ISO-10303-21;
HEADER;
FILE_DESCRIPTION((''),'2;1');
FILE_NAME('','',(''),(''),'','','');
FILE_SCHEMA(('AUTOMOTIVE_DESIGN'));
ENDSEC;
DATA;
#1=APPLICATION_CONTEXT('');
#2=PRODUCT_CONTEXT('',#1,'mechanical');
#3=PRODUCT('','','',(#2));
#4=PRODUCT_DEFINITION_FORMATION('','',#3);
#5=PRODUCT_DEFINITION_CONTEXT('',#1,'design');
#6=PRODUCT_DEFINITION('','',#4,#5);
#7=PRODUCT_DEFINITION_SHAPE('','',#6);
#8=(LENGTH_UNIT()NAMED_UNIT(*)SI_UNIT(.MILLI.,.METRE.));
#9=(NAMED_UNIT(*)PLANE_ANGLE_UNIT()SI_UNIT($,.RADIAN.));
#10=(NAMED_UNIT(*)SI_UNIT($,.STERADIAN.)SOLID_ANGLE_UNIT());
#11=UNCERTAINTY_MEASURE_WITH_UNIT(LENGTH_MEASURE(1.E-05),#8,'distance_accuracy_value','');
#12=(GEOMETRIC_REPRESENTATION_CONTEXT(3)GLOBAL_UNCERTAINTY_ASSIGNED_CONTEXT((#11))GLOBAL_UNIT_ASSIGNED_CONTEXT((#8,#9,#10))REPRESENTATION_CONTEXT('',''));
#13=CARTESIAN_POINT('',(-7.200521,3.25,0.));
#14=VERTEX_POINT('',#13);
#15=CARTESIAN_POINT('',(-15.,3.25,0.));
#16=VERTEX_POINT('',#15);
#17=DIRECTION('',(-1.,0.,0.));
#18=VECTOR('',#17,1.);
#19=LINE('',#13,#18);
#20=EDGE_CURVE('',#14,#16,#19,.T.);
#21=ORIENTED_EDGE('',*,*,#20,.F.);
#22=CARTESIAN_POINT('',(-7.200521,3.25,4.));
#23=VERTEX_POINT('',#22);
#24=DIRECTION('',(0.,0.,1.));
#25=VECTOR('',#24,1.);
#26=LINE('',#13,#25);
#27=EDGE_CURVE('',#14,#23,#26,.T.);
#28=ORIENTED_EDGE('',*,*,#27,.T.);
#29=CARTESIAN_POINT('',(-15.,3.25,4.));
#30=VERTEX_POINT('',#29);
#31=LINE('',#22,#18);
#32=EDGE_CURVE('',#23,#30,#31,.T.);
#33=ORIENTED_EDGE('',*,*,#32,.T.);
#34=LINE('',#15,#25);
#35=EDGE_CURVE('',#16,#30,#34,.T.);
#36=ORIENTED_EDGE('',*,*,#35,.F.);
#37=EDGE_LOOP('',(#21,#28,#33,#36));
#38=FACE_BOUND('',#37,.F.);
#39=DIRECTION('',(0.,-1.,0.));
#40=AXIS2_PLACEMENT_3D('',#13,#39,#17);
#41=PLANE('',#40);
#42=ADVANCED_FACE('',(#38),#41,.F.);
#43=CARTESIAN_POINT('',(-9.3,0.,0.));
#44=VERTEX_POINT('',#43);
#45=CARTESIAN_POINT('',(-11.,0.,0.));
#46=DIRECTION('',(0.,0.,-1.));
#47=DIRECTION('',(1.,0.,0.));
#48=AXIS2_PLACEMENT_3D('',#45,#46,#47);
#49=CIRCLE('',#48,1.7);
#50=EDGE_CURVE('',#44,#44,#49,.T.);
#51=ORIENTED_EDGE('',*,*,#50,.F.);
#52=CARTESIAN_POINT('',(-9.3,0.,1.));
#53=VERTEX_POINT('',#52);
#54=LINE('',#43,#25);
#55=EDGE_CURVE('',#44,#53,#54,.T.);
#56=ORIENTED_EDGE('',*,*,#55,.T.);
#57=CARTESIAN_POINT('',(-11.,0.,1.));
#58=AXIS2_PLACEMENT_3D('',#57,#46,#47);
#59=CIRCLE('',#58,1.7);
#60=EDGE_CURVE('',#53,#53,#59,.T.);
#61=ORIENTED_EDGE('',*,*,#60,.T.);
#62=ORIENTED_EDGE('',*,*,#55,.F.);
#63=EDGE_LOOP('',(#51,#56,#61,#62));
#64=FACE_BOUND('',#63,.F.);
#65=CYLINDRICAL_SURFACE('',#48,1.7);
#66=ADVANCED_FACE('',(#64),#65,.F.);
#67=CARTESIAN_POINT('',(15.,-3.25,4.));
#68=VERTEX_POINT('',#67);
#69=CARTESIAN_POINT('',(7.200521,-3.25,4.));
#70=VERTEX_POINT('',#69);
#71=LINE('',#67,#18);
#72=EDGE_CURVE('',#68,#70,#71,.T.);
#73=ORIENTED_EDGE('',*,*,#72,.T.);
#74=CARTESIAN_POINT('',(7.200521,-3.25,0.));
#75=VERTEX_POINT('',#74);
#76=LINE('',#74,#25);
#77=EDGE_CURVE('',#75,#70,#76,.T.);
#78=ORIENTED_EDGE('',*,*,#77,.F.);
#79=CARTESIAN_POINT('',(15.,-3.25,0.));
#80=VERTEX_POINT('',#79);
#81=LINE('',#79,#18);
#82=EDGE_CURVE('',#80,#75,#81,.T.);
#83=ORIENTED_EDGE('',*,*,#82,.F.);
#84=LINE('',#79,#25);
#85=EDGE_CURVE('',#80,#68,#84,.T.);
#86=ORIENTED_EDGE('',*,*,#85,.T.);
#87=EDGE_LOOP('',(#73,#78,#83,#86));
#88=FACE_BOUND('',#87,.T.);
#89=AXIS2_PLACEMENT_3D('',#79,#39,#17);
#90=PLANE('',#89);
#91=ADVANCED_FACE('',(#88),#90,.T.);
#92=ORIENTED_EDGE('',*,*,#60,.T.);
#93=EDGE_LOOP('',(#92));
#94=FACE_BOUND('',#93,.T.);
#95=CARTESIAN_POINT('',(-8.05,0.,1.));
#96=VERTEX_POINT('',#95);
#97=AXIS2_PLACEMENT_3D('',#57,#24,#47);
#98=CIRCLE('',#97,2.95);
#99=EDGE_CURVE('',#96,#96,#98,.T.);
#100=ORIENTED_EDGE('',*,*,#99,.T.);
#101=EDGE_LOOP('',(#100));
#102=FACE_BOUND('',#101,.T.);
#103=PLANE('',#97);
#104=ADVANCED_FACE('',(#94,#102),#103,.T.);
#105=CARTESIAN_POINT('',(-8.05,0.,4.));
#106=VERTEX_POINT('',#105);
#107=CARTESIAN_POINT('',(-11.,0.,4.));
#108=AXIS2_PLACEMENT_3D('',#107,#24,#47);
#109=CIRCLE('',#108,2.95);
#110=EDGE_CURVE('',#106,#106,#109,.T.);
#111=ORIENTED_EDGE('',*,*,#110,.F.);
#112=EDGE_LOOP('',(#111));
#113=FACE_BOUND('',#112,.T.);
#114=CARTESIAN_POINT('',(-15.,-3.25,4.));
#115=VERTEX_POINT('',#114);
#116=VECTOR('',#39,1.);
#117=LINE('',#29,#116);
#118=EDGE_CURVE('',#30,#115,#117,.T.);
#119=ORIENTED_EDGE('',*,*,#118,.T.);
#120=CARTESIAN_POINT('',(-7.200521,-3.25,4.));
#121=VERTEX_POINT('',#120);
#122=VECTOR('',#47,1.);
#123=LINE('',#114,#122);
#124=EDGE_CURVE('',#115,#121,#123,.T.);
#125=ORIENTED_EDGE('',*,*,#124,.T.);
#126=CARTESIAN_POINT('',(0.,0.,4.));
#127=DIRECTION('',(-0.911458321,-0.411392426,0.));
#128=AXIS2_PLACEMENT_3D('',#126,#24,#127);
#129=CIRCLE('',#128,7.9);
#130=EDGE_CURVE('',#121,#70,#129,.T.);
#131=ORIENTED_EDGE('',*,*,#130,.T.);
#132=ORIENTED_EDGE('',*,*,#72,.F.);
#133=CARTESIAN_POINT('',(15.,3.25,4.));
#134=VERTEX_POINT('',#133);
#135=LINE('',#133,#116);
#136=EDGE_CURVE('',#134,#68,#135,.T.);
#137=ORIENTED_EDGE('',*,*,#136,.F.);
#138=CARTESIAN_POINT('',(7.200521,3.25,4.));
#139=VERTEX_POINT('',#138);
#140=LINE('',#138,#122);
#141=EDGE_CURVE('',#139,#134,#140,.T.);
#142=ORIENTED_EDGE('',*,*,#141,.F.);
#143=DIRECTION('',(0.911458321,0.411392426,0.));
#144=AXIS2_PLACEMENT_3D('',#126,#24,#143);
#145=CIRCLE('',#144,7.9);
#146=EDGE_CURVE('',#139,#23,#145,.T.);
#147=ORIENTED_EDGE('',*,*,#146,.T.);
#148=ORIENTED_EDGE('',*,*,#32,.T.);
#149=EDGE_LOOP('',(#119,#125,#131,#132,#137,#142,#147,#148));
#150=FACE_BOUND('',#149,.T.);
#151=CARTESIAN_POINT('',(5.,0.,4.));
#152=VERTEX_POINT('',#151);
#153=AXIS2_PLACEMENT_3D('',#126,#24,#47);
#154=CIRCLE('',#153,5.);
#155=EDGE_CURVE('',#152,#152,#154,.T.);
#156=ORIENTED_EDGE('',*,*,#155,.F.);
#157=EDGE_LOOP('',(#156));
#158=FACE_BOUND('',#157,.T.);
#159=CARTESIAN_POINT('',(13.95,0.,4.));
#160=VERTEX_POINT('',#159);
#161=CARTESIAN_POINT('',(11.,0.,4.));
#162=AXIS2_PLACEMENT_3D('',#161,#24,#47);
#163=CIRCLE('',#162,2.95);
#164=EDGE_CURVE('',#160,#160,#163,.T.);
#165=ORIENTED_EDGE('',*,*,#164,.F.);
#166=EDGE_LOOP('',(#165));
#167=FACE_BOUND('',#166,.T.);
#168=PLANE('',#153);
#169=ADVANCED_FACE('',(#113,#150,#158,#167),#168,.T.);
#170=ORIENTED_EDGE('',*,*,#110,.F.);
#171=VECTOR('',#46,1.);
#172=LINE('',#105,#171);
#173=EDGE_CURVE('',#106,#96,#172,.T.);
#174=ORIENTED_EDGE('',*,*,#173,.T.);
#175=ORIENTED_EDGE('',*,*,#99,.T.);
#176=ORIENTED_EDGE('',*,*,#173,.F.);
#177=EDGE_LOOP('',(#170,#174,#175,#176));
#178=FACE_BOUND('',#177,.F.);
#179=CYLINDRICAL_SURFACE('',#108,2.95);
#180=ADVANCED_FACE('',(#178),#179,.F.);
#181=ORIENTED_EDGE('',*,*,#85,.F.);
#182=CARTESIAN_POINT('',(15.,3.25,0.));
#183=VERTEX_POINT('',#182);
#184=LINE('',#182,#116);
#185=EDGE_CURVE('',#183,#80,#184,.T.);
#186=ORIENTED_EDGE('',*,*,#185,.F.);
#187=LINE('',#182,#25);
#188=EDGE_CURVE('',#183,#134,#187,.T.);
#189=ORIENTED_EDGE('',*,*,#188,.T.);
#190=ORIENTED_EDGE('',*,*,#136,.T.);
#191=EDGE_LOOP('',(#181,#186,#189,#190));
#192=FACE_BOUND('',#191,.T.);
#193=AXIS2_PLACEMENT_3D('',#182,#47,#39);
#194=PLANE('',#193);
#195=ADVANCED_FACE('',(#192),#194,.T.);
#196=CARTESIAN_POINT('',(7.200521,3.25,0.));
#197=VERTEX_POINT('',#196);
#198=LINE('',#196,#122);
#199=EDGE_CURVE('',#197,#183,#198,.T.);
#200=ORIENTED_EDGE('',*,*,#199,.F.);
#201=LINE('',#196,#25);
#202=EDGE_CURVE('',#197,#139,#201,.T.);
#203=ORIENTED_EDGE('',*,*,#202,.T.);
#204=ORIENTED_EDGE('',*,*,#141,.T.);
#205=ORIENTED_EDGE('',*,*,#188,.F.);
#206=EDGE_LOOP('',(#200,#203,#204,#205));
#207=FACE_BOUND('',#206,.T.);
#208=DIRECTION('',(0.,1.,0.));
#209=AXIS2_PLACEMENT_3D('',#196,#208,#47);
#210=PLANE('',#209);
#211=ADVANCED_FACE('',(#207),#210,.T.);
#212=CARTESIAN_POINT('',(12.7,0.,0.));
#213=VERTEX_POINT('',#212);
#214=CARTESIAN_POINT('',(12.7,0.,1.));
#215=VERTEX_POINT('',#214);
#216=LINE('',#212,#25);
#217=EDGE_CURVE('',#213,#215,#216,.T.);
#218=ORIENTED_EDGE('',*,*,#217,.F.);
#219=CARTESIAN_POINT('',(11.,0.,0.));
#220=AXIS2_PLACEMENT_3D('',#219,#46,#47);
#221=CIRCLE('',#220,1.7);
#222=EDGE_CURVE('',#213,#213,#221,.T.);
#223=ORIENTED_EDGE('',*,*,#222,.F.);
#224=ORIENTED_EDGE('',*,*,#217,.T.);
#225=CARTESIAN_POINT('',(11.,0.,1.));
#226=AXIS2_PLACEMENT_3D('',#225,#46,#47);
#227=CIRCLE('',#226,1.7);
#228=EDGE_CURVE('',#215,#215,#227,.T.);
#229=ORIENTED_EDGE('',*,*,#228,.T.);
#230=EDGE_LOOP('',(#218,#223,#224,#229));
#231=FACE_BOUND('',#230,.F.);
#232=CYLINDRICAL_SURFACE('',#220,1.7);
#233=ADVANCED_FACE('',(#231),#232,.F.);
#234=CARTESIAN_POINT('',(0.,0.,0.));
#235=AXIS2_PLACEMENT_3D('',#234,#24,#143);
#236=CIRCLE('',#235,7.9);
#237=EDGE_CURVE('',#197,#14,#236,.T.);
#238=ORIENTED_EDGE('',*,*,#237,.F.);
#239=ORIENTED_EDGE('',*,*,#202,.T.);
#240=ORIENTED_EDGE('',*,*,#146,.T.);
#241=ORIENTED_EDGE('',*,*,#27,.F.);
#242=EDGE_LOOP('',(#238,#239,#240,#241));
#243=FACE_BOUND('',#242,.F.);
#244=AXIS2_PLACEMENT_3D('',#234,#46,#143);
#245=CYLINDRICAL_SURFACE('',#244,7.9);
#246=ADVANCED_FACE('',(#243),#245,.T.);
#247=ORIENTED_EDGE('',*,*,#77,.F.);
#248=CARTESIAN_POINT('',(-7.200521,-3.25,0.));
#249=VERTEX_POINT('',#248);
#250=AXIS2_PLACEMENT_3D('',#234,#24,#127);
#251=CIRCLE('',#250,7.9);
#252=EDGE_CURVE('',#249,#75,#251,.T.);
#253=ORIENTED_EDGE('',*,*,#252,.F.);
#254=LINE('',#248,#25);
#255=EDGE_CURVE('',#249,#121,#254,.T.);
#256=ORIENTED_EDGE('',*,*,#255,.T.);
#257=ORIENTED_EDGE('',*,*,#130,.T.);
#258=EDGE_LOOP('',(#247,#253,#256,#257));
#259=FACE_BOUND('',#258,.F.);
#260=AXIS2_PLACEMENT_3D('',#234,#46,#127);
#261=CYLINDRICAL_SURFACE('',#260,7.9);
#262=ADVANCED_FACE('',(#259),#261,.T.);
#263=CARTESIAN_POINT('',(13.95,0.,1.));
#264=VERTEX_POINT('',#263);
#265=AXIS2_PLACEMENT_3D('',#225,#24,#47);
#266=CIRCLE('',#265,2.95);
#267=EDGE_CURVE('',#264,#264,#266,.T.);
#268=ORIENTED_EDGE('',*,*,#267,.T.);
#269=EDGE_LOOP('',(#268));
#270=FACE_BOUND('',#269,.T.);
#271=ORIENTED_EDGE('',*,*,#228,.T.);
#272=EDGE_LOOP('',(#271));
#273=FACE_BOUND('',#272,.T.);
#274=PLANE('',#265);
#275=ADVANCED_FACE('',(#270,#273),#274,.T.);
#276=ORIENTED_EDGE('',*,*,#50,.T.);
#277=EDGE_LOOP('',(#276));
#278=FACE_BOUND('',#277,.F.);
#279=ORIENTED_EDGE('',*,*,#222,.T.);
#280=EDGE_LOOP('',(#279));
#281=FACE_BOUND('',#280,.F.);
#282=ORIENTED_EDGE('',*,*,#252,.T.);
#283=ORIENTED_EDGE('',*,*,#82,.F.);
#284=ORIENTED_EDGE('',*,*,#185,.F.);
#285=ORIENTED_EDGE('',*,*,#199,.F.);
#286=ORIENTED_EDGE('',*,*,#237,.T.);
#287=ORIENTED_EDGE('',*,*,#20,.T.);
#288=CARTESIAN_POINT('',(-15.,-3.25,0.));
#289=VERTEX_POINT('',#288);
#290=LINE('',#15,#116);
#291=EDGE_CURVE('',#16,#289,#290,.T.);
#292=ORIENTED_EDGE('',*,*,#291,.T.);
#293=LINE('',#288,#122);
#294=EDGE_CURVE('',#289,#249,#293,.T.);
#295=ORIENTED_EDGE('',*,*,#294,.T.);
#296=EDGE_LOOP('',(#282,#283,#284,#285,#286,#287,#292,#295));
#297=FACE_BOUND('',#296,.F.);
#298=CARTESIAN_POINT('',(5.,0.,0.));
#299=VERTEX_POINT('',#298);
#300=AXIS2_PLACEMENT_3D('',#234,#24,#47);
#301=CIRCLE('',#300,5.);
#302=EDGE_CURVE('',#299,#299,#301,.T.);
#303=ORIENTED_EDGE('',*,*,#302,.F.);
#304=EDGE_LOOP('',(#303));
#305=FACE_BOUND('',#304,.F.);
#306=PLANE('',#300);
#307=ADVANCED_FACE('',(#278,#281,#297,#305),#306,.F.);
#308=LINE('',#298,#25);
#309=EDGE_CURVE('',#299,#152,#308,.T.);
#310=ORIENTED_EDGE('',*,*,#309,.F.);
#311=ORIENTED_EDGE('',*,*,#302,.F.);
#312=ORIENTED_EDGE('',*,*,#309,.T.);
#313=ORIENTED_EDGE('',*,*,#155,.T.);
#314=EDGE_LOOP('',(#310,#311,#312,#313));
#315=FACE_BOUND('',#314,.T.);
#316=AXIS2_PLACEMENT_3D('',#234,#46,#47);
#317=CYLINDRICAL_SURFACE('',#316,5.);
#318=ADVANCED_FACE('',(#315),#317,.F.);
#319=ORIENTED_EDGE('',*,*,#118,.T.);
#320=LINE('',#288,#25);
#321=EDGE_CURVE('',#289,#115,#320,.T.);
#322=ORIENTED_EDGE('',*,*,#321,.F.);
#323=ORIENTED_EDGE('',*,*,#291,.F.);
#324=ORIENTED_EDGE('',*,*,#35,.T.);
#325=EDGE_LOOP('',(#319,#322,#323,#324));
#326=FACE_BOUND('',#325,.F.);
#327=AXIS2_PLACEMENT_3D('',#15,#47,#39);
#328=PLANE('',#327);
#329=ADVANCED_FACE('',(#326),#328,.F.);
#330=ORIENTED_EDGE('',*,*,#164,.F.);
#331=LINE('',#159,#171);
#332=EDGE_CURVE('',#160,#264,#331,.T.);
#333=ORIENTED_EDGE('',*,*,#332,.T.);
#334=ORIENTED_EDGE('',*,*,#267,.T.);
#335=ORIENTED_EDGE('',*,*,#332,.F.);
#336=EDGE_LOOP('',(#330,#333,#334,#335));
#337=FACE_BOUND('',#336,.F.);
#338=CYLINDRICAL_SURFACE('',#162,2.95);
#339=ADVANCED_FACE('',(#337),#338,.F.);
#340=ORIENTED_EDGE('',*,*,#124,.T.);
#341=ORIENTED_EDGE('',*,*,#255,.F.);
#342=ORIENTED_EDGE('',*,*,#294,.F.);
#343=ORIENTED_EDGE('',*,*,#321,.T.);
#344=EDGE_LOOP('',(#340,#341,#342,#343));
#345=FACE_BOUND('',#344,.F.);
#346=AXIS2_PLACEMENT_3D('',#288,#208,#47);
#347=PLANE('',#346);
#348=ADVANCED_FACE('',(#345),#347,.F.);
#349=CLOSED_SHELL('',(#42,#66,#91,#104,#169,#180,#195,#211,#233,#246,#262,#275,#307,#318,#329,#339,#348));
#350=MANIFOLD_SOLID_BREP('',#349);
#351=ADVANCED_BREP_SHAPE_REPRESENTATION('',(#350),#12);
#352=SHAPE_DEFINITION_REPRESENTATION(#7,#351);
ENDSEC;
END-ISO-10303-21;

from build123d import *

# Parameters (mm, degrees)
SKETCH_R        = 5
PAD_DEPTH       = 4
SKETCH001_R     = 1.7
POCKET_DEPTH    = 4.001
SKETCH002_R     = 2.95
POCKET001_DEPTH = 3


with BuildPart() as part:
    # Sketch → Pad (new body)
    with BuildSketch(Plane.XY):
        with BuildLine():
            Line((-7.200521, 3.25), (-15, 3.25))
            Line((-15, 3.25), (-15, -3.25))
            Line((-15, -3.25), (-7.200521, -3.25))
            ThreePointArc((-7.200521, -3.25), (0, -7.9), (7.200521, -3.25))
            Line((15, -3.25), (7.200521, -3.25))
            Line((15, 3.25), (15, -3.25))
            Line((7.200521, 3.25), (15, 3.25))
            ThreePointArc((7.200521, 3.25), (0, 7.9), (-7.200521, 3.25))
        make_face()
        Circle(SKETCH_R, mode=Mode.SUBTRACT)
    extrude(amount=PAD_DEPTH)

    # Sketch001 (on Face10 of Pad) → Pocket (cut, through all)
    with BuildSketch(Plane(origin=(0, 0, 0), x_dir=(1, 0, 0), z_dir=(0, 0, -1))):
        with Locations((11, 0)):
            Circle(SKETCH001_R)
        with Locations((-11, 0)):
            Circle(SKETCH001_R)
    extrude(amount=-POCKET_DEPTH, mode=Mode.SUBTRACT)

    # Sketch002 (on Face5 of Pocket) → Pocket001 (cut)
    with BuildSketch(Plane.XY.offset(4)):
        with Locations((11, 0)):
            Circle(SKETCH002_R)
        with Locations((-11, 0)):
            Circle(SKETCH002_R)
    extrude(amount=-POCKET001_DEPTH, mode=Mode.SUBTRACT)


solid = part.part
